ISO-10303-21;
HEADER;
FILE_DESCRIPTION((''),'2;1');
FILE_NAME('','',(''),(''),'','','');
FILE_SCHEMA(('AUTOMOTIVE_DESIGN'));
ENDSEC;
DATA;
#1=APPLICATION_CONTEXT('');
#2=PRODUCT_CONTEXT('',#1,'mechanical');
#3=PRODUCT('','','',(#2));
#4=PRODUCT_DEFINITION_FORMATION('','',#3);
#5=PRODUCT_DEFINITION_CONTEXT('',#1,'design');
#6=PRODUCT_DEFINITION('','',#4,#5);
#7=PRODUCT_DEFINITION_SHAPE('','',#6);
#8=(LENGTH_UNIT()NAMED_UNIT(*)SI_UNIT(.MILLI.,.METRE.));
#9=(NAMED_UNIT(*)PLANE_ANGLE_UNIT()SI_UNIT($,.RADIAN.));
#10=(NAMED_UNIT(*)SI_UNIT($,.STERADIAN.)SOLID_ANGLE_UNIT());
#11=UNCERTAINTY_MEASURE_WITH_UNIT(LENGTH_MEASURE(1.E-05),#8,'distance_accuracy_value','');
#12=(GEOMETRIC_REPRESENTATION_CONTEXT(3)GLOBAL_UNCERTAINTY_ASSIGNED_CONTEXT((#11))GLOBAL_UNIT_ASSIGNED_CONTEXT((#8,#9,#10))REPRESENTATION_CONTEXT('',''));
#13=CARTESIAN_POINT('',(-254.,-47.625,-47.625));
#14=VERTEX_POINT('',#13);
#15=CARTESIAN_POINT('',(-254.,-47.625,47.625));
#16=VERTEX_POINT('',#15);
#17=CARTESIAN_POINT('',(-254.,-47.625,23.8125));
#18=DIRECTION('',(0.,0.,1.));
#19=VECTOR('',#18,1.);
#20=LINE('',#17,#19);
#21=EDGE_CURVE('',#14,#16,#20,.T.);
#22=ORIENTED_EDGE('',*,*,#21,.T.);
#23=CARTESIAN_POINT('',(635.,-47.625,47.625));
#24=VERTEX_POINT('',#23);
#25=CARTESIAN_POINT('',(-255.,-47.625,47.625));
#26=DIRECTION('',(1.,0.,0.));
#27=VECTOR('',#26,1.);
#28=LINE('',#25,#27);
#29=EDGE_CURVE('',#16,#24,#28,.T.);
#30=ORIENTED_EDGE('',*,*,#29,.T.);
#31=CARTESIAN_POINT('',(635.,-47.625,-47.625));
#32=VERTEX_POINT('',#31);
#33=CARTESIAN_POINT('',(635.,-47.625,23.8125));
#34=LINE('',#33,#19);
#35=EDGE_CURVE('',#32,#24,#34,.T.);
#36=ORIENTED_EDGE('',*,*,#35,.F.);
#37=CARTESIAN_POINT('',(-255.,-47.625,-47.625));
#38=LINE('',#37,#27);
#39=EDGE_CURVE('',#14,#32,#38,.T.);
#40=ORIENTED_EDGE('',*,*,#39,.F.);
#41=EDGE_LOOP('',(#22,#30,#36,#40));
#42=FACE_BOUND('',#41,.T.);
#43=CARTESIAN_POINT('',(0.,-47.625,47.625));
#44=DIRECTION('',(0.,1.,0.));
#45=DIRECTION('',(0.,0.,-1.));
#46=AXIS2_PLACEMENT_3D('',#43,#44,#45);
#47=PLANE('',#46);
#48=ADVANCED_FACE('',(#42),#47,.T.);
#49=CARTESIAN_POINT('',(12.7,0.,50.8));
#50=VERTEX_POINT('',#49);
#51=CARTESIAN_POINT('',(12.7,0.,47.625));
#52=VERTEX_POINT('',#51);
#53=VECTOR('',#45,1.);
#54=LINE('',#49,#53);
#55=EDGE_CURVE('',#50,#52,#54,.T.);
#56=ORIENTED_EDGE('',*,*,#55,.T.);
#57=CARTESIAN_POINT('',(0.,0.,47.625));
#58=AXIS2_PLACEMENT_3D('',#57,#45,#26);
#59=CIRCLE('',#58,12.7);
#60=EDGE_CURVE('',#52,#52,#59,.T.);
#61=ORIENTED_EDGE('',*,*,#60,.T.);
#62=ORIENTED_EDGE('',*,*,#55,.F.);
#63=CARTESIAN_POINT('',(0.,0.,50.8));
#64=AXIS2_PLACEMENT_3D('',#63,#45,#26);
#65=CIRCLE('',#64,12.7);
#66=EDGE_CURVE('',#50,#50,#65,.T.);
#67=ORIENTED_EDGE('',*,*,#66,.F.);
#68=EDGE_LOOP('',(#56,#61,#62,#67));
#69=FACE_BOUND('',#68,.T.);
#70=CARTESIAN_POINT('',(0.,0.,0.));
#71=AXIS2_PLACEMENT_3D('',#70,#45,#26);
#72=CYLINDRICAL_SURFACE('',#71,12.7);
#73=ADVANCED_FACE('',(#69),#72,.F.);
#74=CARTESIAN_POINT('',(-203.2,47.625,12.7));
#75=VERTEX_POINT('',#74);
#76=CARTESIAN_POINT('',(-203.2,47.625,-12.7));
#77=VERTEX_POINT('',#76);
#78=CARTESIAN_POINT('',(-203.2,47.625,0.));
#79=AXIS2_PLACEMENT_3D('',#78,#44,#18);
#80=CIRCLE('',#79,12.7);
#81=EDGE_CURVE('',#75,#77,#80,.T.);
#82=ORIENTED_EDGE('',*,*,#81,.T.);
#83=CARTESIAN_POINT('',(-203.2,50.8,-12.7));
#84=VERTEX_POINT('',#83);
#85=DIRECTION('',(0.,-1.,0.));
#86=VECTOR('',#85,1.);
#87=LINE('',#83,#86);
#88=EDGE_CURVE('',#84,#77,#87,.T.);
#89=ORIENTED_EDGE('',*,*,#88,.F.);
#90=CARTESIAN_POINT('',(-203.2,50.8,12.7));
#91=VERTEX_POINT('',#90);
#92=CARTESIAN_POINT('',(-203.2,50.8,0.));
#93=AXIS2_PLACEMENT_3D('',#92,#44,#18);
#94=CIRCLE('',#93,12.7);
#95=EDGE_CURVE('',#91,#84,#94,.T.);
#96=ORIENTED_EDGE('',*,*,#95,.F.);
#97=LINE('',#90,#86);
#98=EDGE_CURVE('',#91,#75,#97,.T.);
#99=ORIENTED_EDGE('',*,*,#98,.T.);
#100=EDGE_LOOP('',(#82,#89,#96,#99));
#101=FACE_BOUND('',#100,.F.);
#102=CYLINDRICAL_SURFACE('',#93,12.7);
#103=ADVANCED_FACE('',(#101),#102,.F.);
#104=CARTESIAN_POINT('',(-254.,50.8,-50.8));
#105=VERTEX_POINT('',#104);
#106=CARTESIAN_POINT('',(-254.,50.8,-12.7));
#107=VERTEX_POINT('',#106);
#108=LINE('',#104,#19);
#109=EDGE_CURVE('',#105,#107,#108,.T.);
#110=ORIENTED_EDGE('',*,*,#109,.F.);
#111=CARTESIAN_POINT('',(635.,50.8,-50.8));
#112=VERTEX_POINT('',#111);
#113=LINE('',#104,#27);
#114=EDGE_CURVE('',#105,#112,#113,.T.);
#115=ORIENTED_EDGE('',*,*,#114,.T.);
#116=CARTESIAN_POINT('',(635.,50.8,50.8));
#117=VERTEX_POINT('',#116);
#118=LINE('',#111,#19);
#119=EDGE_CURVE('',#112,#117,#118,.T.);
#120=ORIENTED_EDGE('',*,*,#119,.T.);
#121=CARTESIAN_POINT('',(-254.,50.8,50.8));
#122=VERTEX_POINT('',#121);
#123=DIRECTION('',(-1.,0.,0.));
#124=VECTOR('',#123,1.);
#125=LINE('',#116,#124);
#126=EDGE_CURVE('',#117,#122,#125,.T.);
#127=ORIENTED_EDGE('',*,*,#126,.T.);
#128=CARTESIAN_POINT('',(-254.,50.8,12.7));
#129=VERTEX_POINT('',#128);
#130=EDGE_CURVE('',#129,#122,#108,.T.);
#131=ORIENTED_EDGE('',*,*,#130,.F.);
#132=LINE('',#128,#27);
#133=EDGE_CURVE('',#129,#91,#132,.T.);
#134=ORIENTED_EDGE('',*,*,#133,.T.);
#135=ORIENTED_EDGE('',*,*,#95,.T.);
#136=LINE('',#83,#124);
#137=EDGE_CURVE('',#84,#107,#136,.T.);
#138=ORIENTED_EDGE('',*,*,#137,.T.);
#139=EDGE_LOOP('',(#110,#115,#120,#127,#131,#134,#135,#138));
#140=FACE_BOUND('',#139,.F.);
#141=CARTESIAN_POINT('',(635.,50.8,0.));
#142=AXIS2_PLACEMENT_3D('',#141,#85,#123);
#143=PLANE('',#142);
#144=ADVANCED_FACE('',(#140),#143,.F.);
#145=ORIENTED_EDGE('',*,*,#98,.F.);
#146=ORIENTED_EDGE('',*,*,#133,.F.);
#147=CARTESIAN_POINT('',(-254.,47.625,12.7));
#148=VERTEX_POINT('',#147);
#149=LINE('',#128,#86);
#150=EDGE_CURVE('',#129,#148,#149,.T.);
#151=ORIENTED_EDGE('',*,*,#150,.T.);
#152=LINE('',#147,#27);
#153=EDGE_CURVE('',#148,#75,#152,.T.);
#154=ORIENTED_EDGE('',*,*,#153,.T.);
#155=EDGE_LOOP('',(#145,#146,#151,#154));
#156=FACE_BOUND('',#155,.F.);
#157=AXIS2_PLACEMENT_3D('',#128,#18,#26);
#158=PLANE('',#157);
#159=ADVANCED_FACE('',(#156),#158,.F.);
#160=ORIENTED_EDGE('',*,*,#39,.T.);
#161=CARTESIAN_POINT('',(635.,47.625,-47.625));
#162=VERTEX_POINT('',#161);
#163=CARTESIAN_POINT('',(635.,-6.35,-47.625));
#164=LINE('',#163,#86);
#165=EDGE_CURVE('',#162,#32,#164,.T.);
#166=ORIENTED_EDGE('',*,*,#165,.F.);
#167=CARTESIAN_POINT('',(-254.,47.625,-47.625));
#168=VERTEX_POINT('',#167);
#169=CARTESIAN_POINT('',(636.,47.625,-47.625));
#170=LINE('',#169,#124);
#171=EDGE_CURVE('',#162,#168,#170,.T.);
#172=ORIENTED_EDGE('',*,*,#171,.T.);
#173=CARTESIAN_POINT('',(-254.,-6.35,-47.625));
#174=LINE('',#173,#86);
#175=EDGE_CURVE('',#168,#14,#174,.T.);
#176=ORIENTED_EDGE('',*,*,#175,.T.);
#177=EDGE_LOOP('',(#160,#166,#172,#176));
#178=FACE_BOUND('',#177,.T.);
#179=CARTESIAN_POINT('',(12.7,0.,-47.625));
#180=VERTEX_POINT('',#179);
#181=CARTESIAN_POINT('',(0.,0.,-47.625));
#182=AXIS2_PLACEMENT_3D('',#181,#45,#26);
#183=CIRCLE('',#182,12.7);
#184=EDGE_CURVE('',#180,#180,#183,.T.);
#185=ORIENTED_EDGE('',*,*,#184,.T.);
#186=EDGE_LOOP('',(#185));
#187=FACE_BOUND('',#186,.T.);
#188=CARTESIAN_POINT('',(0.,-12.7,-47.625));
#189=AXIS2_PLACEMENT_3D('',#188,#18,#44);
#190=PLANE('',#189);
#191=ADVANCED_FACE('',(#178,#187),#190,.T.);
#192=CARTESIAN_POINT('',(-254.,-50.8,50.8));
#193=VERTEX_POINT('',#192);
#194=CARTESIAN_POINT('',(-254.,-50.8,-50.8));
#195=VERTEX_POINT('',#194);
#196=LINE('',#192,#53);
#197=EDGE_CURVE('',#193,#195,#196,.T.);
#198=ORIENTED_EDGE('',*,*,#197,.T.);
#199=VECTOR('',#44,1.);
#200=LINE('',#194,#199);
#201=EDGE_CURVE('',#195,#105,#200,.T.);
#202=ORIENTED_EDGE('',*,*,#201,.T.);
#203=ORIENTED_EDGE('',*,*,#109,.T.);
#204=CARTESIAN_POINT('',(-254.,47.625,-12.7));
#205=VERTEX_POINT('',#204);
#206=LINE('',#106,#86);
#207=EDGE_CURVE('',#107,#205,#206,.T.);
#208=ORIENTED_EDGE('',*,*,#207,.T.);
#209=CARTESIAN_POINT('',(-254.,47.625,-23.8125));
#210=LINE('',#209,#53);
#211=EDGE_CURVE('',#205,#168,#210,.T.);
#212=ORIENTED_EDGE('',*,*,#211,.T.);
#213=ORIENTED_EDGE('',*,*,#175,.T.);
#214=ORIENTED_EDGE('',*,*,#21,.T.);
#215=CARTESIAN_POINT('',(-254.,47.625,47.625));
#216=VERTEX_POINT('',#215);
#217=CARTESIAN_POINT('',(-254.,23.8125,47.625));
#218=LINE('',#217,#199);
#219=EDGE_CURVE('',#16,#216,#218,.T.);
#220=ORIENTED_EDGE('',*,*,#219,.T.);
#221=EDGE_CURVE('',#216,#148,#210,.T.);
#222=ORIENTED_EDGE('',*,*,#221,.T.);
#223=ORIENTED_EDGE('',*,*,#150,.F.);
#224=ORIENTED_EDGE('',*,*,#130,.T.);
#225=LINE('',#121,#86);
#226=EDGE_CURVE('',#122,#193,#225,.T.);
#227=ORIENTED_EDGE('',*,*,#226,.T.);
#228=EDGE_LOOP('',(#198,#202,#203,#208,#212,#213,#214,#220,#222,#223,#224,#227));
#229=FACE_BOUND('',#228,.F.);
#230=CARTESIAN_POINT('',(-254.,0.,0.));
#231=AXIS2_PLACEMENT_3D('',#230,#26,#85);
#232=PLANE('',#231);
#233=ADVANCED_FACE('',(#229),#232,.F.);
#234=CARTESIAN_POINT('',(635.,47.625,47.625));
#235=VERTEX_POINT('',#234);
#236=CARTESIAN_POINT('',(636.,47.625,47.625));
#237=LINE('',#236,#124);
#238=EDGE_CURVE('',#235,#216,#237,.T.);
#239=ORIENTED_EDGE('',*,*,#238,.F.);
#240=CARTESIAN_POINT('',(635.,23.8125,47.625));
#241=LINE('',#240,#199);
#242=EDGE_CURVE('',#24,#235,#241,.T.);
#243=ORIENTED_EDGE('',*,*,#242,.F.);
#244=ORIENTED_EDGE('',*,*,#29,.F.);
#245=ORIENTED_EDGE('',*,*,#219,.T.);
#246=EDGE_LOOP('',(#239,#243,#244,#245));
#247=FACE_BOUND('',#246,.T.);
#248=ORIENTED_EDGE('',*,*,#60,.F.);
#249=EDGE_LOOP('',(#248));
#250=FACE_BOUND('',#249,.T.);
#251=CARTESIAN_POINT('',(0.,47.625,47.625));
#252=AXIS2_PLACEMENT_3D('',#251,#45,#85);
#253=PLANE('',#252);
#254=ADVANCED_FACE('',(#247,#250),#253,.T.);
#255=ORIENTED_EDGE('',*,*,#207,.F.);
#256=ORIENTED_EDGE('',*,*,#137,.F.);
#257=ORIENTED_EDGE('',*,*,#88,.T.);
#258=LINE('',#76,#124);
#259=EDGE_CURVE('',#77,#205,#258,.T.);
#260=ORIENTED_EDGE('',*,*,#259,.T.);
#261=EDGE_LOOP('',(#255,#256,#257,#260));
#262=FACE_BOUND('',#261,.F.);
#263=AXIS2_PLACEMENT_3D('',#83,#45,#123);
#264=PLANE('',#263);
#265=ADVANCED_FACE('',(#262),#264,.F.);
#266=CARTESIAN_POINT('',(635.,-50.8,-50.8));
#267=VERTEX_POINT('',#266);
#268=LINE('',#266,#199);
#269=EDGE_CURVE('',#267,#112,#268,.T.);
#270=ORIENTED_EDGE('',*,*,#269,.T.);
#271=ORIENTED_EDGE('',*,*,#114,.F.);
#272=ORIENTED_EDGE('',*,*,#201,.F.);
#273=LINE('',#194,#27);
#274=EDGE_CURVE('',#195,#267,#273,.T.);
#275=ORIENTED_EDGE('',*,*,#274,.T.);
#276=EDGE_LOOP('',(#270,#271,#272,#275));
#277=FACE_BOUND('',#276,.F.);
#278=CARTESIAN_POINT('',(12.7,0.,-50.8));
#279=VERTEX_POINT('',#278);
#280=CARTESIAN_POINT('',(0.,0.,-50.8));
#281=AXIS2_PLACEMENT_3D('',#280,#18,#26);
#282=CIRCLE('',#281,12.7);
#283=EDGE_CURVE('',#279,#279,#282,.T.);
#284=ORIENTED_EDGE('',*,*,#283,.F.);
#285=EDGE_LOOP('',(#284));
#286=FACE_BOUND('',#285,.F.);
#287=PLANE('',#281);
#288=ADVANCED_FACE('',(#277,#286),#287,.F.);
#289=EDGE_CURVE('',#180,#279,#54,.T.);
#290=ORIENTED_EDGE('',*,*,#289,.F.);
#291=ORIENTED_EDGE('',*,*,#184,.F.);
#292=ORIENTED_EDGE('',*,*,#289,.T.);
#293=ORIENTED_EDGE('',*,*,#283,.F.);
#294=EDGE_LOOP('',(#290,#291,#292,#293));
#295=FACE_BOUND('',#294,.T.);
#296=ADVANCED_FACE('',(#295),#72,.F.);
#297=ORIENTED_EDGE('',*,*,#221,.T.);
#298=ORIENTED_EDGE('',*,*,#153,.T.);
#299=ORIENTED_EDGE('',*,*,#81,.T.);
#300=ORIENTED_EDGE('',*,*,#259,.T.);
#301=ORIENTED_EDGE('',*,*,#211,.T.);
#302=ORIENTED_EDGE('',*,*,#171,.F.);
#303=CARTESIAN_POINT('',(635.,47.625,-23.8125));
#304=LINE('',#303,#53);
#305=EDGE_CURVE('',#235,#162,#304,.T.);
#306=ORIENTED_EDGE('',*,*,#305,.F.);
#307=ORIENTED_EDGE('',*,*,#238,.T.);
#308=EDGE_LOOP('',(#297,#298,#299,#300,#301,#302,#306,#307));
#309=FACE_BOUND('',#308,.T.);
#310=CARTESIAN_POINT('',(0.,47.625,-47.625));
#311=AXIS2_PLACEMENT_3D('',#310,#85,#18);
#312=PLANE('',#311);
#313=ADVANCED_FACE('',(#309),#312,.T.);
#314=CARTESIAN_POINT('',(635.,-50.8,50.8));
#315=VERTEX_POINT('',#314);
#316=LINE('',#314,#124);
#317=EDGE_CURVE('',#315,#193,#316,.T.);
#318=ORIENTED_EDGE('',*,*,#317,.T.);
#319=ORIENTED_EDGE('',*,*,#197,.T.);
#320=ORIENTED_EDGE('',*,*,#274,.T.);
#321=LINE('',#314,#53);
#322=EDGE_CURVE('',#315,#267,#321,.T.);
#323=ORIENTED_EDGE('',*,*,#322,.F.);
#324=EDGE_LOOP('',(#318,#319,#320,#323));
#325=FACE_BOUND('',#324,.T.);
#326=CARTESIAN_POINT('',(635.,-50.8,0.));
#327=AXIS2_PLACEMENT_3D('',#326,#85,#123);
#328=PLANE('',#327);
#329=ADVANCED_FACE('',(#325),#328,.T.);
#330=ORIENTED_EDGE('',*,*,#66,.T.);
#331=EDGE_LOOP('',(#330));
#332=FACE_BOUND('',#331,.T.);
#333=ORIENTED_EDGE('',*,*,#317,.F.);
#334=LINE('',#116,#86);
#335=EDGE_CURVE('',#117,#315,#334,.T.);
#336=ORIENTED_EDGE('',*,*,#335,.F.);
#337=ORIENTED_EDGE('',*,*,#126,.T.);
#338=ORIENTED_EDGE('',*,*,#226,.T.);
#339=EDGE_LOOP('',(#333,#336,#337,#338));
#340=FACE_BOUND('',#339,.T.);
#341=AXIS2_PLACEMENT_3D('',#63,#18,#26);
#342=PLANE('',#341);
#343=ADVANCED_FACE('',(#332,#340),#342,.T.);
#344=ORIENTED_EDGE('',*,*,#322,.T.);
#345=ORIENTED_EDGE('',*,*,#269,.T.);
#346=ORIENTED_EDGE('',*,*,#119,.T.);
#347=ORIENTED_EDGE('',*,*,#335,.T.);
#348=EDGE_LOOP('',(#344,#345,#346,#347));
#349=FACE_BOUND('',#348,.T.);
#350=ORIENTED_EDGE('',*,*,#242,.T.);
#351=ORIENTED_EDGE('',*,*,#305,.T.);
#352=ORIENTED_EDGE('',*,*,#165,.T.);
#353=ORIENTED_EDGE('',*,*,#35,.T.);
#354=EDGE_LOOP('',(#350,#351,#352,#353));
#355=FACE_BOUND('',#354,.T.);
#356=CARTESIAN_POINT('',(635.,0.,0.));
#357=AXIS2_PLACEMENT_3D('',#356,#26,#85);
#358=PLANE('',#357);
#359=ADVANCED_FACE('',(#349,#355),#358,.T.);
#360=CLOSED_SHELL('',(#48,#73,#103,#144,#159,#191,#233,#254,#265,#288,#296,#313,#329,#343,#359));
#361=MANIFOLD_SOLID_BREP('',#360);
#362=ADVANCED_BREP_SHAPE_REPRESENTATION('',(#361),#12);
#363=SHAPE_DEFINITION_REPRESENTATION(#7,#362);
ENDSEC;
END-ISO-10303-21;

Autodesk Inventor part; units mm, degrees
ref_plane "YZ Plane" through (0, 0, 0) normal (1, 0, 0) x (0, 1, 0)
ref_plane "XZ Plane" through (0, 0, 0) normal (0, 1, 0) x (-1, 0, 0)
ref_plane "XY Plane" through (0, 0, 0) normal (0, 0, 1) x (1, 0, 0)
sketch "Sketch2" plane through (0, 0, 0) normal (0, 0, 1) x (1, 0, 0)
  circle A0 centre (0, 0) radius 12.7
  line L0 (12.7, 0) -> (635, 0)
  line L1 (635, 0) -> (635, 50.8)
  line L2 (635, 50.8) -> (0, 50.8)
  line L3 (0, 50.8) -> (0, 12.7)
  line L4 (635, 0) -> (635, -50.8)
  line L5 (635, -50.8) -> (0, -50.8)
  line L6 (0, -50.8) -> (0, -12.7)
  line L7 (-12.7, 0) -> (-254, 0)
  line L8 (-254, 0) -> (-254, 50.8)
  line L9 (-254, 50.8) -> (0, 50.8)
  line L10 (0, 50.8) -> (0, 12.7)
  line L11 (0, -50.8) -> (0, -12.7)
  line L12 (-254, 0) -> (-254, -50.8)
  line L13 (-254, -50.8) -> (0, -50.8)
  dimension "d0" = 25.4
  dimension "d1" = 50.8
  dimension "d2" = 635
  dimension "d3" = 254
extrude "Extrusion1" add sketch "Sketch2" along normal mid plane 101.6 contours L0 L4 L5 L6 A0 | A0 L3 L2 L1 L0 | A0 L7 L8 L9 L3 | L6 L13 L12 L7 A0
sketch "Sketch3" plane through (0, 0, 0) normal (1, 0, 0) x (0, 1, 0)
  line L0 (50.8, -50.8) -> (50.8, 50.8) projected
  line L1 (-50.8, -50.8) -> (50.8, -50.8) projected
  line L2 (50.8, 50.8) -> (-50.8, 50.8) projected
  line L3 (-50.8, -50.8) -> (-50.8, 50.8) projected
  line L4 (-50.8, 50.8) -> (-50.8, -50.8)
  line L5 (-50.8, -50.8) -> (50.8, -50.8)
  line L6 (50.8, -50.8) -> (50.8, 50.8)
  line L7 (50.8, 50.8) -> (-50.8, 50.8)
  line L8 (-50.8, 50.8) -> (50.8, -50.8) construction
  line L9 (-50.8, -50.8) -> (50.8, 50.8) construction
  line L10 (-47.625, 47.625) -> (-47.625, -47.625)
  line L11 (-47.625, -47.625) -> (47.625, -47.625)
  line L12 (47.625, -47.625) -> (47.625, 47.625)
  line L13 (47.625, 47.625) -> (-47.625, 47.625)
  line L14 (-47.625, 47.625) -> (47.625, -47.625) construction
  line L15 (-47.625, -47.625) -> (47.625, 47.625) construction
  line L16 (-12.7, 50.8) -> (-12.7, -50.8) projected
  point P0 (0, 0)
  point P1 (-12.7, 47.625)
  point P2 (-12.7, -47.625)
  dimension "d6" = 3.175
  dimension "d7" = 3.175
extrude "Extrusion3" cut sketch "Sketch3" along normal through all both and the other way through all contours L16 L13 L12 L11 | L11 L10 L13 L16
sketch "Sketch4" plane through (-254, 50.8, 50.8) normal (0, 1, 0) x (1, 0, 0)
  line L0 (0, 50.8) -> (50.8, 50.8) construction
  line L1 (0, 98.425) -> (0, 3.175) projected
  line L2 (0, 38.1) -> (50.8, 38.1)
  line L3 (50.8, 63.5) -> (0, 63.5)
  arc A0 (50.8, 38.1) -> (50.8, 63.5) centre (50.8, 50.8) ccw
  line L4 (0, 63.5) -> (0, 38.1)
  point P0 (254, 50.8)
  dimension "d12" = 50.8
  dimension "d13" = 25.4
extrude "SlotForCable" cut sketch "Sketch4" against normal up to surface (3.175 mm away)
equation "\"d2\" = longDistanceFromHole"
equation "\"d3\" = shortDistanceFromHole"
equation "\"materialWidth\" = 101.6"
equation "\"shortDistanceFromHole\" = 254"
equation "\"longDistanceFromHole\" = 635"
properties part number "CatapultArm" material "Aluminum 6061"
